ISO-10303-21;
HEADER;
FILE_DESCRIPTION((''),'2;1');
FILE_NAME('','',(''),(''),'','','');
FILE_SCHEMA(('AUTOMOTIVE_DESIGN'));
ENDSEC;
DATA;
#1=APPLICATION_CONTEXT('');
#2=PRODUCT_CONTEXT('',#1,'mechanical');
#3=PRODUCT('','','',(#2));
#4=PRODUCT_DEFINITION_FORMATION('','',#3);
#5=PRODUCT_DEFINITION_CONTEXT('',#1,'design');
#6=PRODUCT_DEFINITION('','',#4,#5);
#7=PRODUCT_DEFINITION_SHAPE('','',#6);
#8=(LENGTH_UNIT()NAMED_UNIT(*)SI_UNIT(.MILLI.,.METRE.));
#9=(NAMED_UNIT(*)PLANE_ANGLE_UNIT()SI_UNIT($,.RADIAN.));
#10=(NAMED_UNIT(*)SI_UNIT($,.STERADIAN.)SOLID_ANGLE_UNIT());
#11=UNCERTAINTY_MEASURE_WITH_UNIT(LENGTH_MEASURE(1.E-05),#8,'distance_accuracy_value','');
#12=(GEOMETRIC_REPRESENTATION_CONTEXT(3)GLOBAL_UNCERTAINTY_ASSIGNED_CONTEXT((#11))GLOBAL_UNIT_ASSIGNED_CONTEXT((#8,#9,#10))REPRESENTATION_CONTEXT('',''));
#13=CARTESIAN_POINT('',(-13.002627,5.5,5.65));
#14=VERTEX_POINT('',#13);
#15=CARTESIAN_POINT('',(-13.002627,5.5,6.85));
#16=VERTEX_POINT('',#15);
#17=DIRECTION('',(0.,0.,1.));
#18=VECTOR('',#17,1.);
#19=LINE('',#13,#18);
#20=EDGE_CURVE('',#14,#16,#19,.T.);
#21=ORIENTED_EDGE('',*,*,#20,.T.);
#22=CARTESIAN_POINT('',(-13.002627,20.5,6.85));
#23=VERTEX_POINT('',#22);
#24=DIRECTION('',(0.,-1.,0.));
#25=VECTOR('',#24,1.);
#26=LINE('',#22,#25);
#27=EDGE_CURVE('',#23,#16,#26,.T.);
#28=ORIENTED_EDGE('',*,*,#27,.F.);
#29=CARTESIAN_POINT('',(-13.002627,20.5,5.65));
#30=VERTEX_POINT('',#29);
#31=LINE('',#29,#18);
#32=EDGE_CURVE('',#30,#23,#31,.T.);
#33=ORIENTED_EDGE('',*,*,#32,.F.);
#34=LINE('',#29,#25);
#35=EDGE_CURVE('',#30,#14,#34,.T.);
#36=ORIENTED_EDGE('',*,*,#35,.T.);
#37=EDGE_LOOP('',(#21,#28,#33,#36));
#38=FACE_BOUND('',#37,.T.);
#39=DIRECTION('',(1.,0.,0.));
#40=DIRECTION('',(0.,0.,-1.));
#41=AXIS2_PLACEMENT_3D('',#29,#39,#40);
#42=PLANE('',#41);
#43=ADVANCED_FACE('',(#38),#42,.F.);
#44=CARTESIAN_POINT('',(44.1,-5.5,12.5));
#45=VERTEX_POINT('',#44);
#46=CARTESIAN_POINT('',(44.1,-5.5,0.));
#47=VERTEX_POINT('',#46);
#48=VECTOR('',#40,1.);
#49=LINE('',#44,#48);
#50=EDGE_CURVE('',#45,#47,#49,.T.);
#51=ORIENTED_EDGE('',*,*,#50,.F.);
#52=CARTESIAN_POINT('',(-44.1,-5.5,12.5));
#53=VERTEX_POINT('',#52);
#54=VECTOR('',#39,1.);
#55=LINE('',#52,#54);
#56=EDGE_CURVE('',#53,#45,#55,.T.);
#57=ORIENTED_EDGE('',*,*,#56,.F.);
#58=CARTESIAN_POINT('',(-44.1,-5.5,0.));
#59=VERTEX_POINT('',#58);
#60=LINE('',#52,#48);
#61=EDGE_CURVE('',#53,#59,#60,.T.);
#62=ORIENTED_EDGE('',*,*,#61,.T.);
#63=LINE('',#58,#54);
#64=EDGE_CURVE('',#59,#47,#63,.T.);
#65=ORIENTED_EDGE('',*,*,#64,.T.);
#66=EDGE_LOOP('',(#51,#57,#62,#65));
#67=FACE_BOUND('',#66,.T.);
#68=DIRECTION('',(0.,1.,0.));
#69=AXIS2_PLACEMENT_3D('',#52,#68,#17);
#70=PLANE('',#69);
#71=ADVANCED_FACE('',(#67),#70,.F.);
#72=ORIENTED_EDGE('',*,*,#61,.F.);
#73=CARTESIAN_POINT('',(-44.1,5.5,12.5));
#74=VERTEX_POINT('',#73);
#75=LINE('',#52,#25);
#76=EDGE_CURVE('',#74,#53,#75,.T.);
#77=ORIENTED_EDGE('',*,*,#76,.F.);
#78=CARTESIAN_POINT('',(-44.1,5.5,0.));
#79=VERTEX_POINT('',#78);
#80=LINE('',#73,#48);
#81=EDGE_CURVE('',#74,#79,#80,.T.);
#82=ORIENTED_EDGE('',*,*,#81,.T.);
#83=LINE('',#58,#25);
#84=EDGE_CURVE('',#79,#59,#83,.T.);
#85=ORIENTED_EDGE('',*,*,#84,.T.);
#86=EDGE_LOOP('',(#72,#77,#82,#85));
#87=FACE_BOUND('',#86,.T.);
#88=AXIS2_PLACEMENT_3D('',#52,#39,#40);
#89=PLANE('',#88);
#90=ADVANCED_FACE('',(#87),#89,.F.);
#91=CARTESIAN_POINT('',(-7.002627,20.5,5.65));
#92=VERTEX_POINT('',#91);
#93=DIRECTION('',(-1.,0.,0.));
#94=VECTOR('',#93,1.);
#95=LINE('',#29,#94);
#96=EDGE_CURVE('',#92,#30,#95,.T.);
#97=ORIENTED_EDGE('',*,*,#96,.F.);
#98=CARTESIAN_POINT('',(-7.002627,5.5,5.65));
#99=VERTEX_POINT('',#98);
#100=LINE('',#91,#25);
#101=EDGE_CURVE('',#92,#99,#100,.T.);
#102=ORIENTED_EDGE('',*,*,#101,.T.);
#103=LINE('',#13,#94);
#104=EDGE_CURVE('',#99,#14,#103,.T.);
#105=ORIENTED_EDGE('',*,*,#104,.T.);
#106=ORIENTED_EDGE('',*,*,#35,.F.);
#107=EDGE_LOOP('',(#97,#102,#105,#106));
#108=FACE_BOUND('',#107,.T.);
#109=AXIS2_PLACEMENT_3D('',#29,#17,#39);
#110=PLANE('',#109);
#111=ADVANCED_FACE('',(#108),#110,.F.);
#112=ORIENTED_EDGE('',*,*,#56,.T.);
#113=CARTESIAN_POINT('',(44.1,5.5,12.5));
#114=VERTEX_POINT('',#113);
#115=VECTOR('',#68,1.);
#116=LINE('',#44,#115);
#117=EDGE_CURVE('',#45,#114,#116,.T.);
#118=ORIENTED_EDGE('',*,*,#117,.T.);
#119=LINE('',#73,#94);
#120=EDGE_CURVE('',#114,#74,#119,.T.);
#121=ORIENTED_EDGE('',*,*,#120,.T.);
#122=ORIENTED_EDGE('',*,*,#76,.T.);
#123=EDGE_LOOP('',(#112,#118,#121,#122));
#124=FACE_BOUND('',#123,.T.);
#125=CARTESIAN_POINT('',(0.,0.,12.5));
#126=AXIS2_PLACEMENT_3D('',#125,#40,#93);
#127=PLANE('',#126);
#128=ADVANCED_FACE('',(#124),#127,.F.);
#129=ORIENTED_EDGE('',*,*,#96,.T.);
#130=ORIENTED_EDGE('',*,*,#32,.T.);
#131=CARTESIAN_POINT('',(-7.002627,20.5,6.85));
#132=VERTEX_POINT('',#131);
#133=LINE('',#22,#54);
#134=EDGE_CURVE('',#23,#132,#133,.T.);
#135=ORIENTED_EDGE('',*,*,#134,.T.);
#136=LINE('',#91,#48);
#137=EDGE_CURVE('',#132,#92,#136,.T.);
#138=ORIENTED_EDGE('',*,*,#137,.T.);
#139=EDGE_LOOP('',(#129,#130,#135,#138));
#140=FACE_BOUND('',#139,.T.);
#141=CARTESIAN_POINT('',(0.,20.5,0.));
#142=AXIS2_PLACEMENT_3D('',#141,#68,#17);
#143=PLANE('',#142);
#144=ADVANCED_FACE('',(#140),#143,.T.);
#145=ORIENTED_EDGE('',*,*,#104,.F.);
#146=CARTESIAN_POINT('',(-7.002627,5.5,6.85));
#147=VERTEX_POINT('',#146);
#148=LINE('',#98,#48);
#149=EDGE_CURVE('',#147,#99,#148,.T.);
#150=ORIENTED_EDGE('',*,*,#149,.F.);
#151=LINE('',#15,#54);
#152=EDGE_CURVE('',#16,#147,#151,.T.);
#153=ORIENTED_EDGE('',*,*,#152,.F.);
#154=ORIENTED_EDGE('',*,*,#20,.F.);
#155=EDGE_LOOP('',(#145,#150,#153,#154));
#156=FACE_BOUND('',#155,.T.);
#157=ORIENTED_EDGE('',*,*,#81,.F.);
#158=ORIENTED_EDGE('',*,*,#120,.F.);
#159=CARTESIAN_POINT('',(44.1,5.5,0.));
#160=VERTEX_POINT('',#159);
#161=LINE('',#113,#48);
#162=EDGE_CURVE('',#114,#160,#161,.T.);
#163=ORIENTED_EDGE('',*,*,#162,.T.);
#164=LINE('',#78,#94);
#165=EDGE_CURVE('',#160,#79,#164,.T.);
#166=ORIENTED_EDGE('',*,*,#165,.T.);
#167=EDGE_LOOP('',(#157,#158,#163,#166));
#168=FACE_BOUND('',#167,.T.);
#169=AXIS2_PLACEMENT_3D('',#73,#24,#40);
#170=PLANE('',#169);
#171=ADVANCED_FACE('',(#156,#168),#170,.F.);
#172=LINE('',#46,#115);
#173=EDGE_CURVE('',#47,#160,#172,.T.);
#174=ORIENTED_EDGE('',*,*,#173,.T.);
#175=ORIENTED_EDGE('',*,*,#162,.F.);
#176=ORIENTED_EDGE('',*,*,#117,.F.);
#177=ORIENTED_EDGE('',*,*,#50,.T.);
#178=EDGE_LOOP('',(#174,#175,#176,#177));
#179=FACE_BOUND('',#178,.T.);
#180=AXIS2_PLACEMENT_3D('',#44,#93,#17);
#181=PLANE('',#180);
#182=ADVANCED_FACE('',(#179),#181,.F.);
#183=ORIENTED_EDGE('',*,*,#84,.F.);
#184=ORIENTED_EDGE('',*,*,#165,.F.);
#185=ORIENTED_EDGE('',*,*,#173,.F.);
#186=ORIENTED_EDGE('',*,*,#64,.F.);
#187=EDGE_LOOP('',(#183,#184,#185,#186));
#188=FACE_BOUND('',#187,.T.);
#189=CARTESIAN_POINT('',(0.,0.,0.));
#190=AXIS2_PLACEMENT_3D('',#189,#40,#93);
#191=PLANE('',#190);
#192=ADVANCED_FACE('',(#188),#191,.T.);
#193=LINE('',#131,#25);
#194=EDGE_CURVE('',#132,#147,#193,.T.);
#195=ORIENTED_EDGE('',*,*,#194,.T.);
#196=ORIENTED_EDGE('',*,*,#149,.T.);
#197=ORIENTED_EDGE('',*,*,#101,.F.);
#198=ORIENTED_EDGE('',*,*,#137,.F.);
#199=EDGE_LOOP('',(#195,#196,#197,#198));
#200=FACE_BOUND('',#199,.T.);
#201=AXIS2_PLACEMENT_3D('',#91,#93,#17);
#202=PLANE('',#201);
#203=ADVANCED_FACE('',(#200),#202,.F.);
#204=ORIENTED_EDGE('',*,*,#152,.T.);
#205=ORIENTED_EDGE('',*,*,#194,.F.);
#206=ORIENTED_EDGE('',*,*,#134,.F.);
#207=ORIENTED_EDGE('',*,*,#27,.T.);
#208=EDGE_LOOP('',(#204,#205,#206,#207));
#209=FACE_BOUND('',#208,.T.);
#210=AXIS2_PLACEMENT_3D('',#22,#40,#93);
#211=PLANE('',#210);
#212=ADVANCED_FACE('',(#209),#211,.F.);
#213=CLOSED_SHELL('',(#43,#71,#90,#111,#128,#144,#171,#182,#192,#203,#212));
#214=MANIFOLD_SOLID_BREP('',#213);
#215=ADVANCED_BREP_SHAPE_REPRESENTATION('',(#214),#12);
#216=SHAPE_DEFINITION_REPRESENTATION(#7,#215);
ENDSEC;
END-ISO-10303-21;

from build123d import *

# Parameters (mm, degrees)
SKETCH1_W           = 88.2
SKETCH1_H           = 11
BOSS_EXTRUDE1_DEPTH = 12.5
SKETCH2_W           = 6
SKETCH2_H           = 1.2
BOSS_EXTRUDE2_DEPTH = 15


with BuildPart() as part:
    # Sketch1 → Boss-Extrude1 (new body)
    with BuildSketch(Plane.XY):
        Rectangle(SKETCH1_W, SKETCH1_H)
    extrude(amount=BOSS_EXTRUDE1_DEPTH)

    # Sketch2 → Boss-Extrude2 (add)
    with BuildSketch(Plane(origin=(0, 5.5, 0), x_dir=(1, 0, 0), z_dir=(0, 1, 0))):
        with Locations((-10.002627366, -6.25)):
            Rectangle(SKETCH2_W, SKETCH2_H)
    extrude(amount=BOSS_EXTRUDE2_DEPTH)


solid = part.part
